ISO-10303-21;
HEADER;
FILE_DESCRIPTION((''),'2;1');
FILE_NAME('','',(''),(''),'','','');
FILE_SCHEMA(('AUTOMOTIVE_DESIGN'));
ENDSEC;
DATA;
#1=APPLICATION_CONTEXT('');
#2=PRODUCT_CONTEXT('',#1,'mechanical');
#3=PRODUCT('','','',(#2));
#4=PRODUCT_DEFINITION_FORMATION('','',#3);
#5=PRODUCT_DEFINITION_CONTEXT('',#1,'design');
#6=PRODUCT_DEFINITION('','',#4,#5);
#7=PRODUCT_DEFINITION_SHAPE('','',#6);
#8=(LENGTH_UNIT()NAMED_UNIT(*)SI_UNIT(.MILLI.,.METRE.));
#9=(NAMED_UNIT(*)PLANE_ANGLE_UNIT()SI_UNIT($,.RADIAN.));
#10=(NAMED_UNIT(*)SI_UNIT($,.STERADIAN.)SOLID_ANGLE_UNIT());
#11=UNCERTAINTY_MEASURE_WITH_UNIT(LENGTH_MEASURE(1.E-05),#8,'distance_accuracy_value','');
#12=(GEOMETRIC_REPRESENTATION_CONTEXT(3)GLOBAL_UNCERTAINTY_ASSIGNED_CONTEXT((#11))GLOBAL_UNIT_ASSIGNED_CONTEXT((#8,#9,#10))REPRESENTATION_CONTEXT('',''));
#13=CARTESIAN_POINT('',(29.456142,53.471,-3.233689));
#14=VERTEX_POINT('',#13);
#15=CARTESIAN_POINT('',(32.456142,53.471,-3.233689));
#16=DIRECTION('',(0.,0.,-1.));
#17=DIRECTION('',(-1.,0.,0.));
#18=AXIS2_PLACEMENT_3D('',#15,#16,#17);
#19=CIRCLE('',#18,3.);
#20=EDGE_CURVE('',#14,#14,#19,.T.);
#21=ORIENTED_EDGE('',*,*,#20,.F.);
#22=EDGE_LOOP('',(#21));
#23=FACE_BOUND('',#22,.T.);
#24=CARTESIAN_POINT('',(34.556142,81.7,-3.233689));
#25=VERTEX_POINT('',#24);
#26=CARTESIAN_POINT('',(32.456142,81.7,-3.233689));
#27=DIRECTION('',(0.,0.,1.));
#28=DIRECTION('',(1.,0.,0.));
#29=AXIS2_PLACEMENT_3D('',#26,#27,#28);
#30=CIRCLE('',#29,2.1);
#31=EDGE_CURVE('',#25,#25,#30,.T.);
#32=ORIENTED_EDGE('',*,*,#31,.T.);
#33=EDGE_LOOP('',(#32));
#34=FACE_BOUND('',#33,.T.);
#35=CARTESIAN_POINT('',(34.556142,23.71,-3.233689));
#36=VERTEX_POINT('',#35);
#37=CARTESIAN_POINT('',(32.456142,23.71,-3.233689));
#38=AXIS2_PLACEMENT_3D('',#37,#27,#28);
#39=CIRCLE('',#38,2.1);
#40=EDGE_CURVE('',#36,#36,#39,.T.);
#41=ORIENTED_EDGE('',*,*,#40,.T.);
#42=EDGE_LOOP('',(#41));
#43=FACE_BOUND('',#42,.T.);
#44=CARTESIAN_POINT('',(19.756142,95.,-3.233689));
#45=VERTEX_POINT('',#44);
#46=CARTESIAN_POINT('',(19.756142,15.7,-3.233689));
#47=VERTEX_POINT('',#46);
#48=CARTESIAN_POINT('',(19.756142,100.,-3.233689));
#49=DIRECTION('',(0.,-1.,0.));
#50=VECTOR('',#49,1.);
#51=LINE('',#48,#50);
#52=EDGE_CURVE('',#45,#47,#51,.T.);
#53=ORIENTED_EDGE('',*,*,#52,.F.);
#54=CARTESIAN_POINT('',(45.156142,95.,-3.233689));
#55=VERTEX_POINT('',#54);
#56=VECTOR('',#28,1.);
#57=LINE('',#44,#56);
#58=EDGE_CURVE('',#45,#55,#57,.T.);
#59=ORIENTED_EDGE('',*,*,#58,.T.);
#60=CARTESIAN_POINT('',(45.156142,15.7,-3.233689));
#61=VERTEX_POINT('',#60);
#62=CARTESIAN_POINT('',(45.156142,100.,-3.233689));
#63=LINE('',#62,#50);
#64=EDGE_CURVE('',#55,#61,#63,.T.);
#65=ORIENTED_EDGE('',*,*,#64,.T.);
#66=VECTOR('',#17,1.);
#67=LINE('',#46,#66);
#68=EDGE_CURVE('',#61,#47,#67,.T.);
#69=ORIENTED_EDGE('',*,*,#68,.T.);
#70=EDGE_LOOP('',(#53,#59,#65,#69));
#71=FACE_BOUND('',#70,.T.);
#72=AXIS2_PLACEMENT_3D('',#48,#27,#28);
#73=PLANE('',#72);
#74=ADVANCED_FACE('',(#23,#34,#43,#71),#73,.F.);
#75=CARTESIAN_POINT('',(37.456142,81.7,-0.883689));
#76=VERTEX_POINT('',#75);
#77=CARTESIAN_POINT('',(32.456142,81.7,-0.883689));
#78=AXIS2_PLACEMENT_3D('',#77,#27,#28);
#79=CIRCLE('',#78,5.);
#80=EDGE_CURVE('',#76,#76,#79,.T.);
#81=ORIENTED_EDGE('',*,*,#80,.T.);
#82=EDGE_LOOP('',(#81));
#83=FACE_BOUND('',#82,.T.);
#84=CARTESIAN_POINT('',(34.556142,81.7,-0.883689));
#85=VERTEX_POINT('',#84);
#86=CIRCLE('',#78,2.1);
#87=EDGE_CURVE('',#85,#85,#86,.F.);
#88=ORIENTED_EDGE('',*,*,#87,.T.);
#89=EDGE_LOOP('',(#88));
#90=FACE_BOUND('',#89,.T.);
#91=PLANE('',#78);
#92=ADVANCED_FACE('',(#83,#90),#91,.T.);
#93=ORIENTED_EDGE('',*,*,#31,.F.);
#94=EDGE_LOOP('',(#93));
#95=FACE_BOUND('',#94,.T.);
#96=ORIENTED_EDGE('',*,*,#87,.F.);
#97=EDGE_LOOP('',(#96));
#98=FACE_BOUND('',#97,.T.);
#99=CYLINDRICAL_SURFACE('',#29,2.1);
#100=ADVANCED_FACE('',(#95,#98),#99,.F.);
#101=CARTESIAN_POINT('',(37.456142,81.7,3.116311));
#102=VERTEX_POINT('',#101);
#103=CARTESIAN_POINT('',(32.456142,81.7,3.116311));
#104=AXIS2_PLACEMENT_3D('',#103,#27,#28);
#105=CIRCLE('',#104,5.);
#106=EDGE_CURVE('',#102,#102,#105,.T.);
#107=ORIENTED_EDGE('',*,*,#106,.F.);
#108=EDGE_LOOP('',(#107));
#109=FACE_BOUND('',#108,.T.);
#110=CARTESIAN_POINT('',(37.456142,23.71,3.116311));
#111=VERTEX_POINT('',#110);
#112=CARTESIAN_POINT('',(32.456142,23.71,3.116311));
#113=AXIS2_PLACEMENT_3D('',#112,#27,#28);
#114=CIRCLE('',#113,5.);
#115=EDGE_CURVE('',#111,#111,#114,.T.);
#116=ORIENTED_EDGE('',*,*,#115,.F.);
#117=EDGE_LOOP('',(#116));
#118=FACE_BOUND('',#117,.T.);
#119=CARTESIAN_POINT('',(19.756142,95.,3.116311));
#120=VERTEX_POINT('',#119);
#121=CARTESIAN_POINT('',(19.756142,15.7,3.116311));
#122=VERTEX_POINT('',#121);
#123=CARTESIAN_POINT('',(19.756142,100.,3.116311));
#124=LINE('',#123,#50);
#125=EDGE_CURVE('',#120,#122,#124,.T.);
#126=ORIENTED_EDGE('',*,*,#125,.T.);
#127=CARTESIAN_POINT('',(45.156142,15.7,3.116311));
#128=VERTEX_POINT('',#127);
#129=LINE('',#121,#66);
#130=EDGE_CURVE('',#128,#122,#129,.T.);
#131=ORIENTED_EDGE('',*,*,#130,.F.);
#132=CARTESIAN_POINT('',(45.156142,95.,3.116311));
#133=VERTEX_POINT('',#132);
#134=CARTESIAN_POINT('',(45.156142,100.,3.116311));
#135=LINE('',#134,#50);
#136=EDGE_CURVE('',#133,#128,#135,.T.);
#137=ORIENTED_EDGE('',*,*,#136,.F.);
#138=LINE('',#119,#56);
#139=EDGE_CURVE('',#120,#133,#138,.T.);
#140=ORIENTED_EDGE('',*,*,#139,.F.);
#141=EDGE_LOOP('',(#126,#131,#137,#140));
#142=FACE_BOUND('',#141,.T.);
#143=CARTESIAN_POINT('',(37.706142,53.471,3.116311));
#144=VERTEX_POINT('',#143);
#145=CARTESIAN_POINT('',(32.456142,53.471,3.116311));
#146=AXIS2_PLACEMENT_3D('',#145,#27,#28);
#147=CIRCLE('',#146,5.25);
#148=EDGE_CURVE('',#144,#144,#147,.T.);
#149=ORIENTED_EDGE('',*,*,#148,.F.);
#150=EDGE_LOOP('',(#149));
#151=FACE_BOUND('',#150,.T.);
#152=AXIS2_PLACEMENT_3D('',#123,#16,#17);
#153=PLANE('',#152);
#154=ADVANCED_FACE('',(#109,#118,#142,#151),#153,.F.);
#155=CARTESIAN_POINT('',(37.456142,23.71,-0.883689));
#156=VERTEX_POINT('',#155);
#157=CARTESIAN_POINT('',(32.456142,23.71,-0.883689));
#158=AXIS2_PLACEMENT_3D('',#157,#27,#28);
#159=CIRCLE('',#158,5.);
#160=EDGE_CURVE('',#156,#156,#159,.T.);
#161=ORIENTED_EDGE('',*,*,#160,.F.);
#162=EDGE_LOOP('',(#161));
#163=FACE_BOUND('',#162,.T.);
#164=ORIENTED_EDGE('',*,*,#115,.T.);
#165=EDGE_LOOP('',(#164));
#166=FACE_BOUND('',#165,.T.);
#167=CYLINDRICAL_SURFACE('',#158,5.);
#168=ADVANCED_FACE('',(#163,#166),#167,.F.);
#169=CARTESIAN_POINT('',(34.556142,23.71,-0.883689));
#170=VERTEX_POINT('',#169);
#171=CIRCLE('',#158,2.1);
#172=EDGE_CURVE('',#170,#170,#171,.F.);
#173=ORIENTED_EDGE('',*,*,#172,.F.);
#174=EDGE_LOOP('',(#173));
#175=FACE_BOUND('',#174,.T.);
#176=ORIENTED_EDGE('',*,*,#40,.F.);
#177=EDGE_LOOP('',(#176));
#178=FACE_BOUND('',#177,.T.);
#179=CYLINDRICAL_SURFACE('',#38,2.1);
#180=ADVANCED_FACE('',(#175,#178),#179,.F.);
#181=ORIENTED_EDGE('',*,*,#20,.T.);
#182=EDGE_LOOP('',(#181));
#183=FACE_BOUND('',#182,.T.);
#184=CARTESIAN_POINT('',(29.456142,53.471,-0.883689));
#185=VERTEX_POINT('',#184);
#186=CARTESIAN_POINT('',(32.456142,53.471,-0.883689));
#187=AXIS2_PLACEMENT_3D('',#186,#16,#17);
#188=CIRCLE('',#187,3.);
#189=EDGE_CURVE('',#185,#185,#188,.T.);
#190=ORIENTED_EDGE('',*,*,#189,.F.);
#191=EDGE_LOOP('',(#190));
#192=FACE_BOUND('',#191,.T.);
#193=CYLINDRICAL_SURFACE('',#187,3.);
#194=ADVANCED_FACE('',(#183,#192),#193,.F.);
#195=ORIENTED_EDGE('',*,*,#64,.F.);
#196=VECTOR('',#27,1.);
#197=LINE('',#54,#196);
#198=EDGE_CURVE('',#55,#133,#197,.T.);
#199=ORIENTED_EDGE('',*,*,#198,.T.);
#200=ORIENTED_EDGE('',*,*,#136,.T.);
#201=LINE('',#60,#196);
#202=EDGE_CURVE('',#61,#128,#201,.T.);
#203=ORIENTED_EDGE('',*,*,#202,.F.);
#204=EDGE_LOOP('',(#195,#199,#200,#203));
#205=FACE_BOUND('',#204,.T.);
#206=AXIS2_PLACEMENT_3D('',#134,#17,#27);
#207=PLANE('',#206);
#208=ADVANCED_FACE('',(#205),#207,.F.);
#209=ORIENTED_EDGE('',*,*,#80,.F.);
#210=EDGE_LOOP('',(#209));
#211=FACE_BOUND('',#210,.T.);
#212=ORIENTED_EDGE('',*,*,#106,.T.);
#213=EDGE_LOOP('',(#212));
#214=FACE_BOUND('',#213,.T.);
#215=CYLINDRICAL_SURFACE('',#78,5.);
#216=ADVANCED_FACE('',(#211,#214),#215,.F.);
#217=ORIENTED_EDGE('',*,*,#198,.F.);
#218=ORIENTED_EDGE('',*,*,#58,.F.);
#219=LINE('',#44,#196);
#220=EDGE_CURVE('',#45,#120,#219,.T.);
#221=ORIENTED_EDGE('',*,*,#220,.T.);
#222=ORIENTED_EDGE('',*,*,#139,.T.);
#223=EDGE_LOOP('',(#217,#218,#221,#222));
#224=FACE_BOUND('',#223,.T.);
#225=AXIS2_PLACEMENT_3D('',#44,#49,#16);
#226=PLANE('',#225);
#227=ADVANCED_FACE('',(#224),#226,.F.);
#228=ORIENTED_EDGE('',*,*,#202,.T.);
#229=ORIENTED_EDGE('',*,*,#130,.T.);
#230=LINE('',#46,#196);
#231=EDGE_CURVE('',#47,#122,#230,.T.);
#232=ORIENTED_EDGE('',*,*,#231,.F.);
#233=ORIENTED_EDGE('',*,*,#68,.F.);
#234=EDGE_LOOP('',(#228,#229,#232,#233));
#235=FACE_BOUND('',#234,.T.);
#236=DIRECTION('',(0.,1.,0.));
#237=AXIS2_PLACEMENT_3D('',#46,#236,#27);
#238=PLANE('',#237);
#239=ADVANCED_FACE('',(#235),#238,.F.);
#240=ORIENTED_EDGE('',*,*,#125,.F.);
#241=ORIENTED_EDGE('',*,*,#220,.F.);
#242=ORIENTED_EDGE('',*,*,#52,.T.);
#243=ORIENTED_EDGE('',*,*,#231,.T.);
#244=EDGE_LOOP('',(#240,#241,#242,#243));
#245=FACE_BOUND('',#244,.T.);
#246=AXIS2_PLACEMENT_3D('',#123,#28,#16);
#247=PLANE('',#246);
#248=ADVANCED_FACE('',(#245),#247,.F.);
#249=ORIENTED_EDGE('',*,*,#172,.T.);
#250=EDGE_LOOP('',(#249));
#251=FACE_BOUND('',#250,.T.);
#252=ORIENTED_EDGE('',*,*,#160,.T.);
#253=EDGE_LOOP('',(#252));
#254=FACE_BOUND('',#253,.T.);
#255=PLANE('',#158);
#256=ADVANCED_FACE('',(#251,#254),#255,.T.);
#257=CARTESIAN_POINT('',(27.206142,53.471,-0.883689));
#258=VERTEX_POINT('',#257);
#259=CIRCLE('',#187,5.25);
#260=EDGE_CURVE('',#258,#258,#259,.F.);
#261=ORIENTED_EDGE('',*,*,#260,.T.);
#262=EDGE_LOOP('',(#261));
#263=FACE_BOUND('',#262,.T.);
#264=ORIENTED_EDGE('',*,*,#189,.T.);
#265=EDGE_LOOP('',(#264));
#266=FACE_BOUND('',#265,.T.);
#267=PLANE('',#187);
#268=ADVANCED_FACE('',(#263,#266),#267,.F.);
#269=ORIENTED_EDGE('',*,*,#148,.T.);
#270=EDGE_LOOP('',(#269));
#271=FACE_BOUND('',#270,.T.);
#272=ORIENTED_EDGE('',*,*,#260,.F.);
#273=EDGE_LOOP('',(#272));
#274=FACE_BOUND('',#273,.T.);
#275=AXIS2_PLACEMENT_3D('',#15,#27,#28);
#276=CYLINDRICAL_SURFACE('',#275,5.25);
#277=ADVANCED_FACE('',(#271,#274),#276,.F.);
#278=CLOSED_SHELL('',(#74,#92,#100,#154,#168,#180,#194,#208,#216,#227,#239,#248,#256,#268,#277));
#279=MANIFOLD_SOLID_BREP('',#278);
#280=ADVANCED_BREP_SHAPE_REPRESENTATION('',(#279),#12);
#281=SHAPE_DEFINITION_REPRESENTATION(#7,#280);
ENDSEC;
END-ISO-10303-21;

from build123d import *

# Parameters (mm, degrees)
SKETCH1_W           = 25.4
SKETCH1_H           = 6.35
BOSS_EXTRUDE1_DEPTH = 100
SKETCH2_R           = 2.1
CUT_EXTRUDE1_DEPTH  = 110.906322202
SKETCH2_3_R         = 5
CUT_EXTRUDE2_DEPTH  = 4
SKETCH2_4_R         = 5
CUT_EXTRUDE3_DEPTH  = 4
SKETCH5_W           = 25.4
SKETCH5_H           = 5
SKETCH5_H_2         = 12
CUT_EXTRUDE4_DEPTH  = 110.906322202
SKETCH6_R           = 5.25
CUT_EXTRUDE5_DEPTH  = 106.377415322
SKETCH7_W           = 25.4
SKETCH7_H           = 3.7
CUT_EXTRUDE6_DEPTH  = 106.377415322
BOSS_EXTRUDE2_START = -2.35
SKETCH8_R           = 5.25
SKETCH8_R_2         = 3
BOSS_EXTRUDE2_DEPTH = 2.35


with BuildPart() as part:
    # Sketch1 → Boss-Extrude1 (new body)
    with BuildSketch(Plane(origin=(0, 0, 0), x_dir=(1, 0, 0), z_dir=(0, 1, 0))):
        with Locations((32.456141995, 0.058688594)):
            Rectangle(SKETCH1_W, SKETCH1_H)
    extrude(amount=BOSS_EXTRUDE1_DEPTH)

    # Sketch2 → Cut-Extrude1 (cut, through all)
    with BuildSketch(Plane.XY.offset(3.116311406)):
        with Locations((32.456141995, 81.7)):
            Circle(SKETCH2_R)
        with Locations((32.456141995, 23.71)):
            Circle(SKETCH2_R)
    extrude(amount=-CUT_EXTRUDE1_DEPTH, mode=Mode.SUBTRACT)

    # Sketch2<3> → Cut-Extrude2 (cut)
    with BuildSketch(Plane.XY.offset(3.116311406)):
        with Locations((32.456141995, 81.7)):
            Circle(SKETCH2_3_R)
    extrude(amount=-CUT_EXTRUDE2_DEPTH, mode=Mode.SUBTRACT)

    # Sketch2<4> → Cut-Extrude3 (cut)
    with BuildSketch(Plane.XY.offset(3.116311406)):
        with Locations((32.456141995, 23.71)):
            Circle(SKETCH2_4_R)
    extrude(amount=-CUT_EXTRUDE3_DEPTH, mode=Mode.SUBTRACT)

    # Sketch5 → Cut-Extrude4 (cut, through all)
    with BuildSketch(Plane.XY.offset(3.116311406)):
        with Locations((32.456141995, 97.5)):
            Rectangle(SKETCH5_W, SKETCH5_H)
        with Locations((32.456141995, 6)):
            Rectangle(SKETCH5_W, SKETCH5_H_2)
    extrude(amount=-CUT_EXTRUDE4_DEPTH, mode=Mode.SUBTRACT)

    # Sketch6 → Cut-Extrude5 (cut, through all)
    with BuildSketch(Plane.XY.offset(3.116311406)):
        with Locations((32.456141995, 53.471)):
            Circle(SKETCH6_R)
    extrude(amount=-CUT_EXTRUDE5_DEPTH, mode=Mode.SUBTRACT)

    # Sketch7 → Cut-Extrude6 (cut, through all)
    with BuildSketch(Plane.XY.offset(3.116311406)):
        with Locations((32.456141995, 13.85)):
            Rectangle(SKETCH7_W, SKETCH7_H)
    extrude(amount=-CUT_EXTRUDE6_DEPTH, mode=Mode.SUBTRACT)

    # Sketch8 → Boss-Extrude2 (add)
    with BuildSketch(Plane(origin=(0, 0, -3.233688594), x_dir=(-1, 0, 0), z_dir=(0, 0, -1)).offset(BOSS_EXTRUDE2_START)):
        with Locations((-32.456141995, 53.471)):
            Circle(SKETCH8_R)
        with Locations((-32.456141995, 53.471)):
            Circle(SKETCH8_R_2, mode=Mode.SUBTRACT)
    extrude(amount=BOSS_EXTRUDE2_DEPTH)


solid = part.part
